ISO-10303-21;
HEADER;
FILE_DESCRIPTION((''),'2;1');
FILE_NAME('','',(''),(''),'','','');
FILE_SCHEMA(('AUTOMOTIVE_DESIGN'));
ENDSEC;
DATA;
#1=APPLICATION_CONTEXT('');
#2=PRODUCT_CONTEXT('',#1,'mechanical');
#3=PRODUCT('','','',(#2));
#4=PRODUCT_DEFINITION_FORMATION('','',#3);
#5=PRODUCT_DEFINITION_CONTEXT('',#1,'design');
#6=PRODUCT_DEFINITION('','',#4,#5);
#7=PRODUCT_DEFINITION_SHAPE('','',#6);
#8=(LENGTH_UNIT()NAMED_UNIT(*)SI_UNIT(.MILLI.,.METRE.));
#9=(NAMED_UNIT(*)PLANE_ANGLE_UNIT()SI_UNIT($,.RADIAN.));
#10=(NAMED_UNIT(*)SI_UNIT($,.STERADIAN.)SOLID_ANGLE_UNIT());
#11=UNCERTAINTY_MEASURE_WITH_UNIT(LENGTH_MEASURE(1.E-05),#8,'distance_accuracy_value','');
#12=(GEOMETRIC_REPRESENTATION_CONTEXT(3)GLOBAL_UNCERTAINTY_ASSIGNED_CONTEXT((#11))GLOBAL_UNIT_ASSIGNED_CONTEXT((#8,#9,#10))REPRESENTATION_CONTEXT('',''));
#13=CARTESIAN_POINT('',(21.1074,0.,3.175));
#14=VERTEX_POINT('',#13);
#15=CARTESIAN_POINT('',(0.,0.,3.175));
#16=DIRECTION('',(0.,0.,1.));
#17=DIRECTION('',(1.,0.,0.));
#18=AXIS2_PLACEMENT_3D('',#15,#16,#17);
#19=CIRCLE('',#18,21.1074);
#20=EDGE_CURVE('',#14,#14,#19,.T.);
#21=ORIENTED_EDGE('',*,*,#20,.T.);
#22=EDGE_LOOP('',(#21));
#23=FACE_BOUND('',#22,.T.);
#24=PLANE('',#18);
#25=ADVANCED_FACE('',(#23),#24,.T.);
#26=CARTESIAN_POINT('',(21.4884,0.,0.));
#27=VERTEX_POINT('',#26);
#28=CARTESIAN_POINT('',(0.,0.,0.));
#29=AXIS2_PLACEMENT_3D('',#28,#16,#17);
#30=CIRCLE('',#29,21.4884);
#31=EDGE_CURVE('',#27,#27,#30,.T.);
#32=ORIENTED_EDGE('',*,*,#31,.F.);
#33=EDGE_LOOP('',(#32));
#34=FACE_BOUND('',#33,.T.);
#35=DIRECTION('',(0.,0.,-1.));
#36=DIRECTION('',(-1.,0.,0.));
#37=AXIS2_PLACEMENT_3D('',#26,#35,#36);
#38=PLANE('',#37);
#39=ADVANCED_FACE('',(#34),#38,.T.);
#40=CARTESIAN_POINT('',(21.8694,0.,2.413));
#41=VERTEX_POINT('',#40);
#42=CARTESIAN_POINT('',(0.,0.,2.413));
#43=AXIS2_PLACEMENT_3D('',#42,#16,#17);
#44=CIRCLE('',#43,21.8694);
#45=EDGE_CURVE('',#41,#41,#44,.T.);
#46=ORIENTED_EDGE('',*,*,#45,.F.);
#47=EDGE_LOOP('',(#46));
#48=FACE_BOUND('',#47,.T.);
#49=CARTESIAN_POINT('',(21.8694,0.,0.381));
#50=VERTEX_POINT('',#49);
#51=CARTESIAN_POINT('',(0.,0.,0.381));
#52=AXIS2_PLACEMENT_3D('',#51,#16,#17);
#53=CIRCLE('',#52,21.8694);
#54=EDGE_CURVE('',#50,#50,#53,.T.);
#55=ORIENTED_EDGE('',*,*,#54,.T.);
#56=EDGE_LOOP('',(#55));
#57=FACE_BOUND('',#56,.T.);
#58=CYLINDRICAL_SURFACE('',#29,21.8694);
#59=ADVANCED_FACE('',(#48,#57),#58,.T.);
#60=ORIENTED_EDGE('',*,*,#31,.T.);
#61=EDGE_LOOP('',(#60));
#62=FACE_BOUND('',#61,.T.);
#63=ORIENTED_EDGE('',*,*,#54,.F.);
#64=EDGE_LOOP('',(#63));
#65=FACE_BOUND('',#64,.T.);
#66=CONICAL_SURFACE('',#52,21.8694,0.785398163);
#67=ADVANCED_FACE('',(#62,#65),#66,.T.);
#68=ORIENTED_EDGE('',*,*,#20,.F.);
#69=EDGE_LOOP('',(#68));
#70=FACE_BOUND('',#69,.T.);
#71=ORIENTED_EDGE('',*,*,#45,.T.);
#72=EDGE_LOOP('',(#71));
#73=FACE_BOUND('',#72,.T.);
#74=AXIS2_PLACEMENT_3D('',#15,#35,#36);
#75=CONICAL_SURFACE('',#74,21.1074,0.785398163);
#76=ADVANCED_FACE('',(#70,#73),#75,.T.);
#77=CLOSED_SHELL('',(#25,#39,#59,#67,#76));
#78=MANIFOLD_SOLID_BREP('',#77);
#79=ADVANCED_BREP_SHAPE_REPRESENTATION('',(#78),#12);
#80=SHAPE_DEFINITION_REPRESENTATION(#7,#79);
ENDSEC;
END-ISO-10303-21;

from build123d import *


with BuildPart() as part:
    # Sketch1 → Revolve1 (revolve)
    with BuildSketch(Plane(origin=(0, 0, 0), x_dir=(1, 0, 0), z_dir=(0, 1, 0))):
        Polygon((21.4884, 0), (0, 0), (0, -3.175), (21.1074, -3.175), (21.8694, -2.413), (21.8694, -0.381), align=None)
    revolve(axis=Axis((0, 0, 0), (0, 0, 1)))


solid = part.part
